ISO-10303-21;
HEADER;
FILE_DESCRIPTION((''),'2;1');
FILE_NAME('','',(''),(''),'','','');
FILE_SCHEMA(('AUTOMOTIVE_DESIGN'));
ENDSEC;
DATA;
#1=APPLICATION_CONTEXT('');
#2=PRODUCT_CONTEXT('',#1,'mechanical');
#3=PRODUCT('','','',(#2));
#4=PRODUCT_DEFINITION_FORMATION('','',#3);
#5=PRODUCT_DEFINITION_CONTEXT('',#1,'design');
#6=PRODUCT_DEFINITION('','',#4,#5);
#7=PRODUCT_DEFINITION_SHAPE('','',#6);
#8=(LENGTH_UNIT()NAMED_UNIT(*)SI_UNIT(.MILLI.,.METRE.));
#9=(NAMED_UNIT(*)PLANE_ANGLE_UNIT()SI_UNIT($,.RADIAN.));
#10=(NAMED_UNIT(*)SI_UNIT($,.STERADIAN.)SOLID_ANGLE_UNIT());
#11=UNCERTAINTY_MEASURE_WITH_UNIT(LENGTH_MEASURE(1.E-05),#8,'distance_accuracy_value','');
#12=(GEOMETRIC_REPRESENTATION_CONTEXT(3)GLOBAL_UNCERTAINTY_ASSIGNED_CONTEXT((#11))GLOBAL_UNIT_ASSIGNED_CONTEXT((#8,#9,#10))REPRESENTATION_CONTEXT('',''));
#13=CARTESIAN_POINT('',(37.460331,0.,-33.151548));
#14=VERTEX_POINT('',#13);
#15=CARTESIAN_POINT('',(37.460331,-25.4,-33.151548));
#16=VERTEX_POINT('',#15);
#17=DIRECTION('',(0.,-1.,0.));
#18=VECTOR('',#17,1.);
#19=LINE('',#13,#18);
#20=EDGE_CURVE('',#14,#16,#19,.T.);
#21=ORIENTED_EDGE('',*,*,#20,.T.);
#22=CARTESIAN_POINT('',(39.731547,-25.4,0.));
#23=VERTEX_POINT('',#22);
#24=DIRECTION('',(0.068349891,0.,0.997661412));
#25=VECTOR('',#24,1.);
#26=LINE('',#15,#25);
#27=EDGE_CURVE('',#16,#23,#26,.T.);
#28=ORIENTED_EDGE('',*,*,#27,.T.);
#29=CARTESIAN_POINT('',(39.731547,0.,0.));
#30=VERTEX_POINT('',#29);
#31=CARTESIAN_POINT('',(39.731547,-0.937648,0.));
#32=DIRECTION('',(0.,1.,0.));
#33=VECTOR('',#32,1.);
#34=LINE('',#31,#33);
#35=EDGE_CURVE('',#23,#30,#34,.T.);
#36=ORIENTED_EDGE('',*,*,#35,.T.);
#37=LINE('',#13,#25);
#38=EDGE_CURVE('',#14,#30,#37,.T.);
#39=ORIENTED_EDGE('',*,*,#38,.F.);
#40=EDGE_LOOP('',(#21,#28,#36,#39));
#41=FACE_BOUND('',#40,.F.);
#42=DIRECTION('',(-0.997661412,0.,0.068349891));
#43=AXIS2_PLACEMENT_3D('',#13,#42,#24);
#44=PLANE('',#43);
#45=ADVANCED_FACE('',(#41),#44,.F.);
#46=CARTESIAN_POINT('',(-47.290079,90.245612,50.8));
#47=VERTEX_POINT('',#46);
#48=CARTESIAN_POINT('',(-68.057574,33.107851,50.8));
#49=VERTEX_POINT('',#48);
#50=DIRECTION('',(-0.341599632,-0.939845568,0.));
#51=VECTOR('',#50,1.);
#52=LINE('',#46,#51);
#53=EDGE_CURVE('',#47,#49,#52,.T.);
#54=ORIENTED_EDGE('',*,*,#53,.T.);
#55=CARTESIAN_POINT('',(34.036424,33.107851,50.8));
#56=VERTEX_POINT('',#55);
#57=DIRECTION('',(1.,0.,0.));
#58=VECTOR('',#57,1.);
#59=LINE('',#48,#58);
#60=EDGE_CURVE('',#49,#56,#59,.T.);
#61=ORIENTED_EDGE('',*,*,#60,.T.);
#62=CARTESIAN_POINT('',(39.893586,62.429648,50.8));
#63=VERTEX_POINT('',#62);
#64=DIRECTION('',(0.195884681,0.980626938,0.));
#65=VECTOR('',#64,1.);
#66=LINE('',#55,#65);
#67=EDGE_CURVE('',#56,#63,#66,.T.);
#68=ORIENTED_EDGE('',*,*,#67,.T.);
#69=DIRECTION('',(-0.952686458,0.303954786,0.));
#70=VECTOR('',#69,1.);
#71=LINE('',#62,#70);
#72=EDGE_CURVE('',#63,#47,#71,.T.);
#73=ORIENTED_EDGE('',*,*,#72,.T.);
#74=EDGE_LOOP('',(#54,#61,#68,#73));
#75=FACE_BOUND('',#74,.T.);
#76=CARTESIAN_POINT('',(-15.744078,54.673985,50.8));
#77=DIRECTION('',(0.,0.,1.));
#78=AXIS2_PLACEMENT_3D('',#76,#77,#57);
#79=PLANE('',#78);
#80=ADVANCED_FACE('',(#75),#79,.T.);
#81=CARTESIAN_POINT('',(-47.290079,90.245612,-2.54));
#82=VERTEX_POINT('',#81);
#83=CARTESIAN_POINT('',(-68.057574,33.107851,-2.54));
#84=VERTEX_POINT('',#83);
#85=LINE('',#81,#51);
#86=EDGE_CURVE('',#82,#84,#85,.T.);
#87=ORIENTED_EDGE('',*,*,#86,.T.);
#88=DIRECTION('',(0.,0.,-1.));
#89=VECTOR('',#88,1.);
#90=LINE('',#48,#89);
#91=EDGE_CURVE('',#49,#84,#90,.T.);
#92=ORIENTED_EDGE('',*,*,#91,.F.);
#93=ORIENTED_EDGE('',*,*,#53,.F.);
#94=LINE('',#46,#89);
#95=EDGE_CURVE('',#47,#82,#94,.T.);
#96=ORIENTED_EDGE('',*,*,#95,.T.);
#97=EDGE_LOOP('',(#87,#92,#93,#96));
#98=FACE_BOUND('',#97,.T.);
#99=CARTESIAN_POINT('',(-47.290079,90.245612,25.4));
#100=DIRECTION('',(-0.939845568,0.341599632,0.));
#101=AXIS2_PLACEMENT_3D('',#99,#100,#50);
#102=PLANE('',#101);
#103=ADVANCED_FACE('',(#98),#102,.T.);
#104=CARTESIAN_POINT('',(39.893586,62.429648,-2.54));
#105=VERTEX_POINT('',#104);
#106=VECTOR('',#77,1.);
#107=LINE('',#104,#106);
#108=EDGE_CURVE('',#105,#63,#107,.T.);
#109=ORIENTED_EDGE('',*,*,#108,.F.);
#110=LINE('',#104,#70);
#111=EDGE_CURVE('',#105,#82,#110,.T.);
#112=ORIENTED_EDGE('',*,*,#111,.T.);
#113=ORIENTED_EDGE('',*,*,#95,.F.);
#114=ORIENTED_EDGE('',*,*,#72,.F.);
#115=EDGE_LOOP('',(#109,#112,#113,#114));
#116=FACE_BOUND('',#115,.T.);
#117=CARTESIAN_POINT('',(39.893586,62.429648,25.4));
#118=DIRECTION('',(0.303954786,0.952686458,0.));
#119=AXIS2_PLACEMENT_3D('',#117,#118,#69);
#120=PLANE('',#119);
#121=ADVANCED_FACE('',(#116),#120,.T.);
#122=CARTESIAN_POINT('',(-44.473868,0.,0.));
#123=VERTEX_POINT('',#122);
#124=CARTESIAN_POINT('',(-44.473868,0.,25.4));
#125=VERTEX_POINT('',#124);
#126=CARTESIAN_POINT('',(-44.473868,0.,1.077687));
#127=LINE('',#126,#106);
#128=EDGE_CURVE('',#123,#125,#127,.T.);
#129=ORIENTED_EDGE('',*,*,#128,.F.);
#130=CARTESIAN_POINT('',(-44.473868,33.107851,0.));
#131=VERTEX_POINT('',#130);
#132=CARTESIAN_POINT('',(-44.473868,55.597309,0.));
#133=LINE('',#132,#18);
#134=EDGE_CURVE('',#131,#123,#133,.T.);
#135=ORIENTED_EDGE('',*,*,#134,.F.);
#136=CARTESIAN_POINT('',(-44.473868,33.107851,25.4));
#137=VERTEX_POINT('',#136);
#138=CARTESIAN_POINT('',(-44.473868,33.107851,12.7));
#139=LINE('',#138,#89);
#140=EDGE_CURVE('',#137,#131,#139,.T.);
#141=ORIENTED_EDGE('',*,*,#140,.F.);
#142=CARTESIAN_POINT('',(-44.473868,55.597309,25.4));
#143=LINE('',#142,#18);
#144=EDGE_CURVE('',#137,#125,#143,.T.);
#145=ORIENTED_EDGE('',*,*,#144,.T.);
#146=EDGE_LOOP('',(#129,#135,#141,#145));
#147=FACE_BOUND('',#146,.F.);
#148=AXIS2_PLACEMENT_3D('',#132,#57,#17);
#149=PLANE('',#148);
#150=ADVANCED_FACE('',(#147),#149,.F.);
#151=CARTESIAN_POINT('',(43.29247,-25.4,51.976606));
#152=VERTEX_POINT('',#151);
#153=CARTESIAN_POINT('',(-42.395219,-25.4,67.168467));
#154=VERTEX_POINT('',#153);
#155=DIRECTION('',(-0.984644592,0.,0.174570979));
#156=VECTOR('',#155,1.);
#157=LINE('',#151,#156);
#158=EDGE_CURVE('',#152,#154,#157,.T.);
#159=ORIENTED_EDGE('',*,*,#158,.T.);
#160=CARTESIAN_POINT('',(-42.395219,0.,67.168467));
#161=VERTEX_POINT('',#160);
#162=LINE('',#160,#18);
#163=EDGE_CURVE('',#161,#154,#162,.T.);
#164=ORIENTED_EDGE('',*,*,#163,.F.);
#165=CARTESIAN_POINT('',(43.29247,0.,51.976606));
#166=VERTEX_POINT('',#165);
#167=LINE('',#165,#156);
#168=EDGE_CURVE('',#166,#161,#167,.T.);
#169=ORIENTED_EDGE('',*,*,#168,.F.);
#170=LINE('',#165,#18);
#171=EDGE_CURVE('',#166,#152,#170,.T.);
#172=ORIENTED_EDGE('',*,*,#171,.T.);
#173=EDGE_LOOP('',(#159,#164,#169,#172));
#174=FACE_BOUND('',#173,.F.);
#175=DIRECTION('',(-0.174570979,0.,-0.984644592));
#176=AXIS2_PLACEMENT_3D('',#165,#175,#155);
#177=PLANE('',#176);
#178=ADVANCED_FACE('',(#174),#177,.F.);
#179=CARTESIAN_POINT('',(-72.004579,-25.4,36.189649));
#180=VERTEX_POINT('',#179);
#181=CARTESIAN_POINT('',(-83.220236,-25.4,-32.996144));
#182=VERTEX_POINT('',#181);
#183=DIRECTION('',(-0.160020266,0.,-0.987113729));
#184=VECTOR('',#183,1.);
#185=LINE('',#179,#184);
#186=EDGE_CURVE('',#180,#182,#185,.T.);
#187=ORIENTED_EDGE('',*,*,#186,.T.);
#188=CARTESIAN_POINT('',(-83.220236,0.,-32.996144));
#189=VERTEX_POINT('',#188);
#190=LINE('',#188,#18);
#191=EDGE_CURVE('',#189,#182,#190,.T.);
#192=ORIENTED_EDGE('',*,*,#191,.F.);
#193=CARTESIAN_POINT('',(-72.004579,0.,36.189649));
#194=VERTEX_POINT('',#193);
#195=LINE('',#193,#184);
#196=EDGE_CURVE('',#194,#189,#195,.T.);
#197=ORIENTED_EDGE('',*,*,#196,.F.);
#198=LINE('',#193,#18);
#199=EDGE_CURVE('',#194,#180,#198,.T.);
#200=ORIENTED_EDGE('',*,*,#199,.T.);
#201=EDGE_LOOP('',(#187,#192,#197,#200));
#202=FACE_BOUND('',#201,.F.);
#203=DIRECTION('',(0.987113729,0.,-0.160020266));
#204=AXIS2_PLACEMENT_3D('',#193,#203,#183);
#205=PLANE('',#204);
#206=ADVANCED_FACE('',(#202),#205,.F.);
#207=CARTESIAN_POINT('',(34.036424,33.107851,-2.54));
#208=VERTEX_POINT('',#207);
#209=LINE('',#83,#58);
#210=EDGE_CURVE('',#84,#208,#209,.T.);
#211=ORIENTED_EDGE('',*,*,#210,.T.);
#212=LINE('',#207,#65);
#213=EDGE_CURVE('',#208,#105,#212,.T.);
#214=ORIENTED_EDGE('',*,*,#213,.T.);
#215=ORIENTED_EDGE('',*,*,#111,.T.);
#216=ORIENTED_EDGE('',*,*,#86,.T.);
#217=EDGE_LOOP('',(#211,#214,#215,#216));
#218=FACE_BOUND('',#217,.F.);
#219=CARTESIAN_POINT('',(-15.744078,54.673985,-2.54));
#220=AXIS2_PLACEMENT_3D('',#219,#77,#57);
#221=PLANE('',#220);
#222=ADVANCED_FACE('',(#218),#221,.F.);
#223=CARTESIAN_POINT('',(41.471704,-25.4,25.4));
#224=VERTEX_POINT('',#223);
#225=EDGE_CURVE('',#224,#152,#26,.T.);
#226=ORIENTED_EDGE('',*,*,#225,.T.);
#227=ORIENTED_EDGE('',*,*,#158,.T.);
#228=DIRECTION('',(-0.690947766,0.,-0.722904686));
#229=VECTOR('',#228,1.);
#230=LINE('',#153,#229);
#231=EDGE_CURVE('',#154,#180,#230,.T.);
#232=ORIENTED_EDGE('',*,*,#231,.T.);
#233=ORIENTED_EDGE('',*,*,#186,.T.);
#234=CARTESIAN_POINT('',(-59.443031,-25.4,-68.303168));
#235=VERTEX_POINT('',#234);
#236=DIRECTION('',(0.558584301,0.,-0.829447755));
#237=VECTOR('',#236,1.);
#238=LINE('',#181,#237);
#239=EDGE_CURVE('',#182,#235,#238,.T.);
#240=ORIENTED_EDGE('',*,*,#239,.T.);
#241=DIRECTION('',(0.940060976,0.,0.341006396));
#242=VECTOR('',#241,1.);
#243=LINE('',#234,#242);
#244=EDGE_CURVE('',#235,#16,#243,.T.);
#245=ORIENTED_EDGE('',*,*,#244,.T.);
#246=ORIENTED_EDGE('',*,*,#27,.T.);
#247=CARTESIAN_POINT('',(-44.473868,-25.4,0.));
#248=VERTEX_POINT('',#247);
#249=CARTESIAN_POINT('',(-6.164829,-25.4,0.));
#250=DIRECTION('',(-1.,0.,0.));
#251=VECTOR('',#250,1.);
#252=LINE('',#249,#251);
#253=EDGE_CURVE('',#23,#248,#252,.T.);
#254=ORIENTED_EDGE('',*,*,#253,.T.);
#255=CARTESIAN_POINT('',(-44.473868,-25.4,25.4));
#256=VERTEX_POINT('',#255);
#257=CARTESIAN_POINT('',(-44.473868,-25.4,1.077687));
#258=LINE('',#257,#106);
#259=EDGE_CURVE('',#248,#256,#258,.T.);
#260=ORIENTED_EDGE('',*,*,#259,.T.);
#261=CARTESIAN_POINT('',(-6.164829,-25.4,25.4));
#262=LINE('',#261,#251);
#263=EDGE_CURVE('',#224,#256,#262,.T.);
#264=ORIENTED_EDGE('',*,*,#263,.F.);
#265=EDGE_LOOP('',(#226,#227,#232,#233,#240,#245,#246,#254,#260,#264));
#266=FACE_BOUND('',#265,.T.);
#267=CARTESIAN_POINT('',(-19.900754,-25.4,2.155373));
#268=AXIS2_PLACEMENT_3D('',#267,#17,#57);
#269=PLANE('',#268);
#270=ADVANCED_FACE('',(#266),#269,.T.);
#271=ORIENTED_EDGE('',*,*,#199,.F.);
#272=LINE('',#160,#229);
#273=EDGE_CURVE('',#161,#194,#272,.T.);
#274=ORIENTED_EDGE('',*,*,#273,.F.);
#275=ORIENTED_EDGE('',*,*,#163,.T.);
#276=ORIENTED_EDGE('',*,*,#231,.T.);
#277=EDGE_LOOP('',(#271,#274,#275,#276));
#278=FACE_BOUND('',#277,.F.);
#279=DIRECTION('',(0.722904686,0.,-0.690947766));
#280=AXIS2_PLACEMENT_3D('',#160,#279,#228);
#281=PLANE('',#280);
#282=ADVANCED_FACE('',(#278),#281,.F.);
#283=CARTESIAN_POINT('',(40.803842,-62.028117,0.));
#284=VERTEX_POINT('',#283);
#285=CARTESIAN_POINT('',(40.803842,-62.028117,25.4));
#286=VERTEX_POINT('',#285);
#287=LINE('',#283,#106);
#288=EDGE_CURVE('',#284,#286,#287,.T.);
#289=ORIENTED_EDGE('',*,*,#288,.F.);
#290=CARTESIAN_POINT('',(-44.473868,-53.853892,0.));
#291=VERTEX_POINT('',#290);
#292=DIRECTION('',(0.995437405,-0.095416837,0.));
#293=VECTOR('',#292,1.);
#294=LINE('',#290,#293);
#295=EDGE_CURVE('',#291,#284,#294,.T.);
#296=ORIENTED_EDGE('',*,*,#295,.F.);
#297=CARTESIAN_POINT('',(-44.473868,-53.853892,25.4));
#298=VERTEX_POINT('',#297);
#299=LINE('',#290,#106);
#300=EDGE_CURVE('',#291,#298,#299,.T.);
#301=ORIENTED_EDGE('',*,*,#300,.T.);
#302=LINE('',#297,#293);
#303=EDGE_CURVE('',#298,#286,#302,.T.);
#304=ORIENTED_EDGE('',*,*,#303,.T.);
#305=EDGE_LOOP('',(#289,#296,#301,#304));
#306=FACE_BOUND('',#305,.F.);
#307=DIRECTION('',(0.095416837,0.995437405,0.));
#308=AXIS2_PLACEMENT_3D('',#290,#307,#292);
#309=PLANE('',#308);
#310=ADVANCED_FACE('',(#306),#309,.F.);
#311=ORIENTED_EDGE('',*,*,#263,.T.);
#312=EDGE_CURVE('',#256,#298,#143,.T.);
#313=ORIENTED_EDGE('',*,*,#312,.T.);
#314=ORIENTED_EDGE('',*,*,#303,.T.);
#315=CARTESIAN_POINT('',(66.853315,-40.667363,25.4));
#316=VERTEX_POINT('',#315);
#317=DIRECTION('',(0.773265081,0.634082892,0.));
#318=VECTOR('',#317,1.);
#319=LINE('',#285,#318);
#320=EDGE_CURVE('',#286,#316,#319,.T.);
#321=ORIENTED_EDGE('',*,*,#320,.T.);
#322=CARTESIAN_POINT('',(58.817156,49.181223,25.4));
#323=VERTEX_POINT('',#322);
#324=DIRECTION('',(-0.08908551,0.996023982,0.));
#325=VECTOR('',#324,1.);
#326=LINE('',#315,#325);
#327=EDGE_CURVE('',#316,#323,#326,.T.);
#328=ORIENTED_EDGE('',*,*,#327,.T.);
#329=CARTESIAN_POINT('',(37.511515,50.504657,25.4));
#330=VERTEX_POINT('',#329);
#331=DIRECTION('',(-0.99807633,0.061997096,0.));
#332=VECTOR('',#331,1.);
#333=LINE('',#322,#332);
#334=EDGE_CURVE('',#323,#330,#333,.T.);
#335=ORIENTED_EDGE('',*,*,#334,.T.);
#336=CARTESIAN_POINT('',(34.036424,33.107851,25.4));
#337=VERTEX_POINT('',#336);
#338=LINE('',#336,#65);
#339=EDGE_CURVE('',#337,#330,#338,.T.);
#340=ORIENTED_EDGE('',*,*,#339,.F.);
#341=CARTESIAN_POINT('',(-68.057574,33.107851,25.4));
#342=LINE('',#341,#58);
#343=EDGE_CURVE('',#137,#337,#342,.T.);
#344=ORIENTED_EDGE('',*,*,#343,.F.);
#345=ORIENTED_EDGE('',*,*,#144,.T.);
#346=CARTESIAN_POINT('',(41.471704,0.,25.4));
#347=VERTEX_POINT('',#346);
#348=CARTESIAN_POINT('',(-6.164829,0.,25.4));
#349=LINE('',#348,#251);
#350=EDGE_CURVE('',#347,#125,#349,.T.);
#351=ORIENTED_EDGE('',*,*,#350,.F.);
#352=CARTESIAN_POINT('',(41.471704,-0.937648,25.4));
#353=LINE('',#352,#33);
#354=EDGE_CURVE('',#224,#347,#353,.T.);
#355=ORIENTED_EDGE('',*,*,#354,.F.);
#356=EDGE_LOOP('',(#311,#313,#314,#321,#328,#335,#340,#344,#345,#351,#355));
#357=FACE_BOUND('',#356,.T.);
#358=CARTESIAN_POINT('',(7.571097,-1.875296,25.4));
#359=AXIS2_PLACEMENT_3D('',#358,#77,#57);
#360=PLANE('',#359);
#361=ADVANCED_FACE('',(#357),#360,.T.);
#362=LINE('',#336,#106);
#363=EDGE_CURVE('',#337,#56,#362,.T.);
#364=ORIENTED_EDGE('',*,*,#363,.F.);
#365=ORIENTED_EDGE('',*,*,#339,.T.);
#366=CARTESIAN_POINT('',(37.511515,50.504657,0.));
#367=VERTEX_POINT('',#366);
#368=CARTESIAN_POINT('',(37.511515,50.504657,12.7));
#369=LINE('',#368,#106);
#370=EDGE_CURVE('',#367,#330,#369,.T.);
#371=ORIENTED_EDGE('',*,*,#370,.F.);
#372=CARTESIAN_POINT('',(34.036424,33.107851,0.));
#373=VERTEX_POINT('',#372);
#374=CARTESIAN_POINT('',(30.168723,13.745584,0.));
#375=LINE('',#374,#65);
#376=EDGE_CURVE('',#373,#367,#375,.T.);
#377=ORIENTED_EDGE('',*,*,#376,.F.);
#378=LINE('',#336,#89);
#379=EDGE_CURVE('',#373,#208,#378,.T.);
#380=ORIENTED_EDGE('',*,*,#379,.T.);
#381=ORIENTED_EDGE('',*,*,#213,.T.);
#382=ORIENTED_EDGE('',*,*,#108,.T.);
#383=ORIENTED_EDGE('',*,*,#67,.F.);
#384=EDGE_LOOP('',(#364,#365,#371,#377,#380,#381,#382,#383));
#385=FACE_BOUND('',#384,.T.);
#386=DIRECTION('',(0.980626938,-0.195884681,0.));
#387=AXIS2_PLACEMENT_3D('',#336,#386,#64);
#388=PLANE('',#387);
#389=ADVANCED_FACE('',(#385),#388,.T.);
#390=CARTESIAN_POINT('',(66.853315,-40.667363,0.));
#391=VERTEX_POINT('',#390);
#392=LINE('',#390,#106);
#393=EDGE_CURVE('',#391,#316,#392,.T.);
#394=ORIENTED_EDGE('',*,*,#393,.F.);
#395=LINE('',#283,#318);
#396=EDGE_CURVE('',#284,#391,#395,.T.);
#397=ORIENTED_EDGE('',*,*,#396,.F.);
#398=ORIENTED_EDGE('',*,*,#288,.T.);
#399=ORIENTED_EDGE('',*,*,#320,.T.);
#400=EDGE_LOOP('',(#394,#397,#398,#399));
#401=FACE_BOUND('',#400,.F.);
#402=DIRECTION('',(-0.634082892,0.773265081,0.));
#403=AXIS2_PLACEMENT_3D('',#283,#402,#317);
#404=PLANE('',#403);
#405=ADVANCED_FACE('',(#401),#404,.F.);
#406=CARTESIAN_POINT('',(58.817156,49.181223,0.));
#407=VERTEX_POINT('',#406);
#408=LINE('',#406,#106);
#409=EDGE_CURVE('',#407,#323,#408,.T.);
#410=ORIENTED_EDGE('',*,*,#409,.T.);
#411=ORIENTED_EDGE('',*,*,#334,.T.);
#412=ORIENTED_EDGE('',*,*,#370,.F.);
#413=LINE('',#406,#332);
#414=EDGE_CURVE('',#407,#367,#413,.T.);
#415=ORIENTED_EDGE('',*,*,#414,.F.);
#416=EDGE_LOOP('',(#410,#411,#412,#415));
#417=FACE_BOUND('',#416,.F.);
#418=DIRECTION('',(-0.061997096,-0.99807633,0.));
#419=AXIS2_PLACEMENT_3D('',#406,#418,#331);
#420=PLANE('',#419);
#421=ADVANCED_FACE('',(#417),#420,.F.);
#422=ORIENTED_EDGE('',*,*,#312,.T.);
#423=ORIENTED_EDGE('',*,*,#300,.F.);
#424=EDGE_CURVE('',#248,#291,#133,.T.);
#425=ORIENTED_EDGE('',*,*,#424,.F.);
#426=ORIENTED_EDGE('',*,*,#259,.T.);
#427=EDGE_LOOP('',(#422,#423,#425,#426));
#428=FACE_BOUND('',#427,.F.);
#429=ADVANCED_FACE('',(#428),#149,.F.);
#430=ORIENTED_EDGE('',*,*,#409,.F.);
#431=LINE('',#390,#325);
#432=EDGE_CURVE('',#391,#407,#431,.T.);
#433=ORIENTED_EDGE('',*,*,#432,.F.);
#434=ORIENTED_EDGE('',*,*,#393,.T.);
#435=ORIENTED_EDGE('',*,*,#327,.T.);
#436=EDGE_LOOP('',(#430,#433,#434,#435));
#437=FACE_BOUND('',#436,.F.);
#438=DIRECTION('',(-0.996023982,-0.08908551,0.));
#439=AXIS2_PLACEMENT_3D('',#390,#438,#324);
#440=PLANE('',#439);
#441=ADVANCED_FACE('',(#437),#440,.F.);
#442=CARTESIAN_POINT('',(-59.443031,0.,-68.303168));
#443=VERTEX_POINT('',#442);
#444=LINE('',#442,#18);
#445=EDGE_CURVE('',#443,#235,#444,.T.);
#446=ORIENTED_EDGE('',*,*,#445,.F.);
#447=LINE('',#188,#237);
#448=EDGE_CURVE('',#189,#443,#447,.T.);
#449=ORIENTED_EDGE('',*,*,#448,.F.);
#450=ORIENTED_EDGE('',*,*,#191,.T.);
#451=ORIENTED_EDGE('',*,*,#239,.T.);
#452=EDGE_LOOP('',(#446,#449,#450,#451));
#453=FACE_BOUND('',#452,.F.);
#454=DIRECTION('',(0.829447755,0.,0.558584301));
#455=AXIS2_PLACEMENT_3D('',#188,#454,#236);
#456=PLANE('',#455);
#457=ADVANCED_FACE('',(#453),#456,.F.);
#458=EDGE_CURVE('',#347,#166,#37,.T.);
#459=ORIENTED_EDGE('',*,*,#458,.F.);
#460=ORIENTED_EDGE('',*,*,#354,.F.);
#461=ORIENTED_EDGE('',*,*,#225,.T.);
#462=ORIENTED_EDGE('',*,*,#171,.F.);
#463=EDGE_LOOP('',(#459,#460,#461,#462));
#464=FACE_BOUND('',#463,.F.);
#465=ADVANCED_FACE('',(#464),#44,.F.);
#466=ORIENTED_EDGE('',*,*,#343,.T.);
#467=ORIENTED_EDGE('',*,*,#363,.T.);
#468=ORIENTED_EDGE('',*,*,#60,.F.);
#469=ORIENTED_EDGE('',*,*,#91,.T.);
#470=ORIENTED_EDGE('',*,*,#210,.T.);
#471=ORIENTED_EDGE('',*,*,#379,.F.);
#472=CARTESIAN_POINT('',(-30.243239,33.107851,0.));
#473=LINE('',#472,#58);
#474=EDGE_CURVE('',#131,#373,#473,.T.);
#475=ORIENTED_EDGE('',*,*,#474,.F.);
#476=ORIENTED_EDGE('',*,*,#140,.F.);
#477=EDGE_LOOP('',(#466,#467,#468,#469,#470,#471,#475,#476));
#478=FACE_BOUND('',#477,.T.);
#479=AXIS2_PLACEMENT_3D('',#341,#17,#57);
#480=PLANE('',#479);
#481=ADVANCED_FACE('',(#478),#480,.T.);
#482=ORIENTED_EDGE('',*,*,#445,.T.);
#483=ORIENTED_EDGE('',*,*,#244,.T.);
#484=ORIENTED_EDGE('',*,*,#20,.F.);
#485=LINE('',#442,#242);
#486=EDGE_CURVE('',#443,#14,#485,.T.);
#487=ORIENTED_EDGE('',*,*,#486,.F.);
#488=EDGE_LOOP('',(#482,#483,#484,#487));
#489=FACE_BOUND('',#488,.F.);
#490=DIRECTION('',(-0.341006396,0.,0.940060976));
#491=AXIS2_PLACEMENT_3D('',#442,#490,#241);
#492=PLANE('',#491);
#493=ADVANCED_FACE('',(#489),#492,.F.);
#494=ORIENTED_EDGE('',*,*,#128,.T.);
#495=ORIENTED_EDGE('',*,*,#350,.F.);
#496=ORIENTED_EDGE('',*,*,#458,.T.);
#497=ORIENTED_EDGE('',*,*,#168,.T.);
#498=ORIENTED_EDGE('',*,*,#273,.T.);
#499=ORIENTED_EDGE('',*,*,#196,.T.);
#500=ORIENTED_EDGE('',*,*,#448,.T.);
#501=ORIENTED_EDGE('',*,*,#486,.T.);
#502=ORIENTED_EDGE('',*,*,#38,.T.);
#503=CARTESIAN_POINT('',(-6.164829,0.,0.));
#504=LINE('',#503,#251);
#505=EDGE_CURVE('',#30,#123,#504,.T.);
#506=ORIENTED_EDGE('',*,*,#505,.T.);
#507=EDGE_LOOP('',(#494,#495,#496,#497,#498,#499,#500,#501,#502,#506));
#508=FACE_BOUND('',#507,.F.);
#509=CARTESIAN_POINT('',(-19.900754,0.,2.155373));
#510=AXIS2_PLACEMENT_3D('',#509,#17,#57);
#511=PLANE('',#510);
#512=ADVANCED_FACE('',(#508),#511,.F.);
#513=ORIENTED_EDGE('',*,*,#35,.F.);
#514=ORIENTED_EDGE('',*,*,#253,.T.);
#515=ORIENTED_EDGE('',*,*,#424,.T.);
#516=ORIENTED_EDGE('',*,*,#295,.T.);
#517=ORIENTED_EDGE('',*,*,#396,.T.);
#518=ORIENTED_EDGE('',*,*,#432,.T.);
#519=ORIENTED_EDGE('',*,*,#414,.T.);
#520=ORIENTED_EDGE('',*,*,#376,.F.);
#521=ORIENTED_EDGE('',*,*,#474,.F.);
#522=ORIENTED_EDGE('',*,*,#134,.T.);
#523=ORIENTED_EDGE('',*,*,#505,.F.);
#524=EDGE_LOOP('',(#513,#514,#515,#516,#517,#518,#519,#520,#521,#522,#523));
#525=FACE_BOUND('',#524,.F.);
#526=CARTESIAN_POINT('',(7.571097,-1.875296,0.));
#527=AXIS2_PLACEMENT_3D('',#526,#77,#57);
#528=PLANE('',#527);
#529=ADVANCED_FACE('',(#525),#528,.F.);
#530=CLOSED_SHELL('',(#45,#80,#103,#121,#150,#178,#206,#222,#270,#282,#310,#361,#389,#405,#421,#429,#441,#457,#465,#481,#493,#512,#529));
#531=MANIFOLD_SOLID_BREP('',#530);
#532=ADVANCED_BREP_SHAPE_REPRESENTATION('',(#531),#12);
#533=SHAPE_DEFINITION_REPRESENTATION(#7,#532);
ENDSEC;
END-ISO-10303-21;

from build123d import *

# Parameters (mm, degrees)
F1_DEPTH      = 25.4
F3_DEPTH      = 25.4
F5_DEPTH      = 25.4
F5_DEPTH_BACK = 27.94


with BuildPart() as f1:
    # F0 (on Front) → F1 (new body)
    with BuildSketch(Plane.XZ):
        Polygon((43.29247, 51.976606), (-42.395219, 67.168467), (-72.004579, 36.189649), (-83.220236, -32.996144), (-59.443031, -68.303168), (37.460331, -33.151548), align=None)
    extrude(amount=F1_DEPTH)

    # F2 (on Top) → F3 (join)
    with BuildSketch(Plane.XY):
        Polygon((58.817156, 49.181223), (-44.473868, 55.597309), (-44.473868, -53.853892), (40.803842, -62.028117), (66.853315, -40.667363), align=None)
    extrude(amount=F3_DEPTH)

    # F4 (on face) → F5 (join, two sides)
    with BuildSketch(Plane.XY.offset(25.4)) as f5_sk:
        Polygon((-68.057574, 33.107851), (34.036424, 33.107851), (39.893586, 62.429648), (-47.290079, 90.245612), align=None)
    extrude(amount=F5_DEPTH)
    extrude(f5_sk.sketch, amount=-F5_DEPTH_BACK)


solid = f1.part
